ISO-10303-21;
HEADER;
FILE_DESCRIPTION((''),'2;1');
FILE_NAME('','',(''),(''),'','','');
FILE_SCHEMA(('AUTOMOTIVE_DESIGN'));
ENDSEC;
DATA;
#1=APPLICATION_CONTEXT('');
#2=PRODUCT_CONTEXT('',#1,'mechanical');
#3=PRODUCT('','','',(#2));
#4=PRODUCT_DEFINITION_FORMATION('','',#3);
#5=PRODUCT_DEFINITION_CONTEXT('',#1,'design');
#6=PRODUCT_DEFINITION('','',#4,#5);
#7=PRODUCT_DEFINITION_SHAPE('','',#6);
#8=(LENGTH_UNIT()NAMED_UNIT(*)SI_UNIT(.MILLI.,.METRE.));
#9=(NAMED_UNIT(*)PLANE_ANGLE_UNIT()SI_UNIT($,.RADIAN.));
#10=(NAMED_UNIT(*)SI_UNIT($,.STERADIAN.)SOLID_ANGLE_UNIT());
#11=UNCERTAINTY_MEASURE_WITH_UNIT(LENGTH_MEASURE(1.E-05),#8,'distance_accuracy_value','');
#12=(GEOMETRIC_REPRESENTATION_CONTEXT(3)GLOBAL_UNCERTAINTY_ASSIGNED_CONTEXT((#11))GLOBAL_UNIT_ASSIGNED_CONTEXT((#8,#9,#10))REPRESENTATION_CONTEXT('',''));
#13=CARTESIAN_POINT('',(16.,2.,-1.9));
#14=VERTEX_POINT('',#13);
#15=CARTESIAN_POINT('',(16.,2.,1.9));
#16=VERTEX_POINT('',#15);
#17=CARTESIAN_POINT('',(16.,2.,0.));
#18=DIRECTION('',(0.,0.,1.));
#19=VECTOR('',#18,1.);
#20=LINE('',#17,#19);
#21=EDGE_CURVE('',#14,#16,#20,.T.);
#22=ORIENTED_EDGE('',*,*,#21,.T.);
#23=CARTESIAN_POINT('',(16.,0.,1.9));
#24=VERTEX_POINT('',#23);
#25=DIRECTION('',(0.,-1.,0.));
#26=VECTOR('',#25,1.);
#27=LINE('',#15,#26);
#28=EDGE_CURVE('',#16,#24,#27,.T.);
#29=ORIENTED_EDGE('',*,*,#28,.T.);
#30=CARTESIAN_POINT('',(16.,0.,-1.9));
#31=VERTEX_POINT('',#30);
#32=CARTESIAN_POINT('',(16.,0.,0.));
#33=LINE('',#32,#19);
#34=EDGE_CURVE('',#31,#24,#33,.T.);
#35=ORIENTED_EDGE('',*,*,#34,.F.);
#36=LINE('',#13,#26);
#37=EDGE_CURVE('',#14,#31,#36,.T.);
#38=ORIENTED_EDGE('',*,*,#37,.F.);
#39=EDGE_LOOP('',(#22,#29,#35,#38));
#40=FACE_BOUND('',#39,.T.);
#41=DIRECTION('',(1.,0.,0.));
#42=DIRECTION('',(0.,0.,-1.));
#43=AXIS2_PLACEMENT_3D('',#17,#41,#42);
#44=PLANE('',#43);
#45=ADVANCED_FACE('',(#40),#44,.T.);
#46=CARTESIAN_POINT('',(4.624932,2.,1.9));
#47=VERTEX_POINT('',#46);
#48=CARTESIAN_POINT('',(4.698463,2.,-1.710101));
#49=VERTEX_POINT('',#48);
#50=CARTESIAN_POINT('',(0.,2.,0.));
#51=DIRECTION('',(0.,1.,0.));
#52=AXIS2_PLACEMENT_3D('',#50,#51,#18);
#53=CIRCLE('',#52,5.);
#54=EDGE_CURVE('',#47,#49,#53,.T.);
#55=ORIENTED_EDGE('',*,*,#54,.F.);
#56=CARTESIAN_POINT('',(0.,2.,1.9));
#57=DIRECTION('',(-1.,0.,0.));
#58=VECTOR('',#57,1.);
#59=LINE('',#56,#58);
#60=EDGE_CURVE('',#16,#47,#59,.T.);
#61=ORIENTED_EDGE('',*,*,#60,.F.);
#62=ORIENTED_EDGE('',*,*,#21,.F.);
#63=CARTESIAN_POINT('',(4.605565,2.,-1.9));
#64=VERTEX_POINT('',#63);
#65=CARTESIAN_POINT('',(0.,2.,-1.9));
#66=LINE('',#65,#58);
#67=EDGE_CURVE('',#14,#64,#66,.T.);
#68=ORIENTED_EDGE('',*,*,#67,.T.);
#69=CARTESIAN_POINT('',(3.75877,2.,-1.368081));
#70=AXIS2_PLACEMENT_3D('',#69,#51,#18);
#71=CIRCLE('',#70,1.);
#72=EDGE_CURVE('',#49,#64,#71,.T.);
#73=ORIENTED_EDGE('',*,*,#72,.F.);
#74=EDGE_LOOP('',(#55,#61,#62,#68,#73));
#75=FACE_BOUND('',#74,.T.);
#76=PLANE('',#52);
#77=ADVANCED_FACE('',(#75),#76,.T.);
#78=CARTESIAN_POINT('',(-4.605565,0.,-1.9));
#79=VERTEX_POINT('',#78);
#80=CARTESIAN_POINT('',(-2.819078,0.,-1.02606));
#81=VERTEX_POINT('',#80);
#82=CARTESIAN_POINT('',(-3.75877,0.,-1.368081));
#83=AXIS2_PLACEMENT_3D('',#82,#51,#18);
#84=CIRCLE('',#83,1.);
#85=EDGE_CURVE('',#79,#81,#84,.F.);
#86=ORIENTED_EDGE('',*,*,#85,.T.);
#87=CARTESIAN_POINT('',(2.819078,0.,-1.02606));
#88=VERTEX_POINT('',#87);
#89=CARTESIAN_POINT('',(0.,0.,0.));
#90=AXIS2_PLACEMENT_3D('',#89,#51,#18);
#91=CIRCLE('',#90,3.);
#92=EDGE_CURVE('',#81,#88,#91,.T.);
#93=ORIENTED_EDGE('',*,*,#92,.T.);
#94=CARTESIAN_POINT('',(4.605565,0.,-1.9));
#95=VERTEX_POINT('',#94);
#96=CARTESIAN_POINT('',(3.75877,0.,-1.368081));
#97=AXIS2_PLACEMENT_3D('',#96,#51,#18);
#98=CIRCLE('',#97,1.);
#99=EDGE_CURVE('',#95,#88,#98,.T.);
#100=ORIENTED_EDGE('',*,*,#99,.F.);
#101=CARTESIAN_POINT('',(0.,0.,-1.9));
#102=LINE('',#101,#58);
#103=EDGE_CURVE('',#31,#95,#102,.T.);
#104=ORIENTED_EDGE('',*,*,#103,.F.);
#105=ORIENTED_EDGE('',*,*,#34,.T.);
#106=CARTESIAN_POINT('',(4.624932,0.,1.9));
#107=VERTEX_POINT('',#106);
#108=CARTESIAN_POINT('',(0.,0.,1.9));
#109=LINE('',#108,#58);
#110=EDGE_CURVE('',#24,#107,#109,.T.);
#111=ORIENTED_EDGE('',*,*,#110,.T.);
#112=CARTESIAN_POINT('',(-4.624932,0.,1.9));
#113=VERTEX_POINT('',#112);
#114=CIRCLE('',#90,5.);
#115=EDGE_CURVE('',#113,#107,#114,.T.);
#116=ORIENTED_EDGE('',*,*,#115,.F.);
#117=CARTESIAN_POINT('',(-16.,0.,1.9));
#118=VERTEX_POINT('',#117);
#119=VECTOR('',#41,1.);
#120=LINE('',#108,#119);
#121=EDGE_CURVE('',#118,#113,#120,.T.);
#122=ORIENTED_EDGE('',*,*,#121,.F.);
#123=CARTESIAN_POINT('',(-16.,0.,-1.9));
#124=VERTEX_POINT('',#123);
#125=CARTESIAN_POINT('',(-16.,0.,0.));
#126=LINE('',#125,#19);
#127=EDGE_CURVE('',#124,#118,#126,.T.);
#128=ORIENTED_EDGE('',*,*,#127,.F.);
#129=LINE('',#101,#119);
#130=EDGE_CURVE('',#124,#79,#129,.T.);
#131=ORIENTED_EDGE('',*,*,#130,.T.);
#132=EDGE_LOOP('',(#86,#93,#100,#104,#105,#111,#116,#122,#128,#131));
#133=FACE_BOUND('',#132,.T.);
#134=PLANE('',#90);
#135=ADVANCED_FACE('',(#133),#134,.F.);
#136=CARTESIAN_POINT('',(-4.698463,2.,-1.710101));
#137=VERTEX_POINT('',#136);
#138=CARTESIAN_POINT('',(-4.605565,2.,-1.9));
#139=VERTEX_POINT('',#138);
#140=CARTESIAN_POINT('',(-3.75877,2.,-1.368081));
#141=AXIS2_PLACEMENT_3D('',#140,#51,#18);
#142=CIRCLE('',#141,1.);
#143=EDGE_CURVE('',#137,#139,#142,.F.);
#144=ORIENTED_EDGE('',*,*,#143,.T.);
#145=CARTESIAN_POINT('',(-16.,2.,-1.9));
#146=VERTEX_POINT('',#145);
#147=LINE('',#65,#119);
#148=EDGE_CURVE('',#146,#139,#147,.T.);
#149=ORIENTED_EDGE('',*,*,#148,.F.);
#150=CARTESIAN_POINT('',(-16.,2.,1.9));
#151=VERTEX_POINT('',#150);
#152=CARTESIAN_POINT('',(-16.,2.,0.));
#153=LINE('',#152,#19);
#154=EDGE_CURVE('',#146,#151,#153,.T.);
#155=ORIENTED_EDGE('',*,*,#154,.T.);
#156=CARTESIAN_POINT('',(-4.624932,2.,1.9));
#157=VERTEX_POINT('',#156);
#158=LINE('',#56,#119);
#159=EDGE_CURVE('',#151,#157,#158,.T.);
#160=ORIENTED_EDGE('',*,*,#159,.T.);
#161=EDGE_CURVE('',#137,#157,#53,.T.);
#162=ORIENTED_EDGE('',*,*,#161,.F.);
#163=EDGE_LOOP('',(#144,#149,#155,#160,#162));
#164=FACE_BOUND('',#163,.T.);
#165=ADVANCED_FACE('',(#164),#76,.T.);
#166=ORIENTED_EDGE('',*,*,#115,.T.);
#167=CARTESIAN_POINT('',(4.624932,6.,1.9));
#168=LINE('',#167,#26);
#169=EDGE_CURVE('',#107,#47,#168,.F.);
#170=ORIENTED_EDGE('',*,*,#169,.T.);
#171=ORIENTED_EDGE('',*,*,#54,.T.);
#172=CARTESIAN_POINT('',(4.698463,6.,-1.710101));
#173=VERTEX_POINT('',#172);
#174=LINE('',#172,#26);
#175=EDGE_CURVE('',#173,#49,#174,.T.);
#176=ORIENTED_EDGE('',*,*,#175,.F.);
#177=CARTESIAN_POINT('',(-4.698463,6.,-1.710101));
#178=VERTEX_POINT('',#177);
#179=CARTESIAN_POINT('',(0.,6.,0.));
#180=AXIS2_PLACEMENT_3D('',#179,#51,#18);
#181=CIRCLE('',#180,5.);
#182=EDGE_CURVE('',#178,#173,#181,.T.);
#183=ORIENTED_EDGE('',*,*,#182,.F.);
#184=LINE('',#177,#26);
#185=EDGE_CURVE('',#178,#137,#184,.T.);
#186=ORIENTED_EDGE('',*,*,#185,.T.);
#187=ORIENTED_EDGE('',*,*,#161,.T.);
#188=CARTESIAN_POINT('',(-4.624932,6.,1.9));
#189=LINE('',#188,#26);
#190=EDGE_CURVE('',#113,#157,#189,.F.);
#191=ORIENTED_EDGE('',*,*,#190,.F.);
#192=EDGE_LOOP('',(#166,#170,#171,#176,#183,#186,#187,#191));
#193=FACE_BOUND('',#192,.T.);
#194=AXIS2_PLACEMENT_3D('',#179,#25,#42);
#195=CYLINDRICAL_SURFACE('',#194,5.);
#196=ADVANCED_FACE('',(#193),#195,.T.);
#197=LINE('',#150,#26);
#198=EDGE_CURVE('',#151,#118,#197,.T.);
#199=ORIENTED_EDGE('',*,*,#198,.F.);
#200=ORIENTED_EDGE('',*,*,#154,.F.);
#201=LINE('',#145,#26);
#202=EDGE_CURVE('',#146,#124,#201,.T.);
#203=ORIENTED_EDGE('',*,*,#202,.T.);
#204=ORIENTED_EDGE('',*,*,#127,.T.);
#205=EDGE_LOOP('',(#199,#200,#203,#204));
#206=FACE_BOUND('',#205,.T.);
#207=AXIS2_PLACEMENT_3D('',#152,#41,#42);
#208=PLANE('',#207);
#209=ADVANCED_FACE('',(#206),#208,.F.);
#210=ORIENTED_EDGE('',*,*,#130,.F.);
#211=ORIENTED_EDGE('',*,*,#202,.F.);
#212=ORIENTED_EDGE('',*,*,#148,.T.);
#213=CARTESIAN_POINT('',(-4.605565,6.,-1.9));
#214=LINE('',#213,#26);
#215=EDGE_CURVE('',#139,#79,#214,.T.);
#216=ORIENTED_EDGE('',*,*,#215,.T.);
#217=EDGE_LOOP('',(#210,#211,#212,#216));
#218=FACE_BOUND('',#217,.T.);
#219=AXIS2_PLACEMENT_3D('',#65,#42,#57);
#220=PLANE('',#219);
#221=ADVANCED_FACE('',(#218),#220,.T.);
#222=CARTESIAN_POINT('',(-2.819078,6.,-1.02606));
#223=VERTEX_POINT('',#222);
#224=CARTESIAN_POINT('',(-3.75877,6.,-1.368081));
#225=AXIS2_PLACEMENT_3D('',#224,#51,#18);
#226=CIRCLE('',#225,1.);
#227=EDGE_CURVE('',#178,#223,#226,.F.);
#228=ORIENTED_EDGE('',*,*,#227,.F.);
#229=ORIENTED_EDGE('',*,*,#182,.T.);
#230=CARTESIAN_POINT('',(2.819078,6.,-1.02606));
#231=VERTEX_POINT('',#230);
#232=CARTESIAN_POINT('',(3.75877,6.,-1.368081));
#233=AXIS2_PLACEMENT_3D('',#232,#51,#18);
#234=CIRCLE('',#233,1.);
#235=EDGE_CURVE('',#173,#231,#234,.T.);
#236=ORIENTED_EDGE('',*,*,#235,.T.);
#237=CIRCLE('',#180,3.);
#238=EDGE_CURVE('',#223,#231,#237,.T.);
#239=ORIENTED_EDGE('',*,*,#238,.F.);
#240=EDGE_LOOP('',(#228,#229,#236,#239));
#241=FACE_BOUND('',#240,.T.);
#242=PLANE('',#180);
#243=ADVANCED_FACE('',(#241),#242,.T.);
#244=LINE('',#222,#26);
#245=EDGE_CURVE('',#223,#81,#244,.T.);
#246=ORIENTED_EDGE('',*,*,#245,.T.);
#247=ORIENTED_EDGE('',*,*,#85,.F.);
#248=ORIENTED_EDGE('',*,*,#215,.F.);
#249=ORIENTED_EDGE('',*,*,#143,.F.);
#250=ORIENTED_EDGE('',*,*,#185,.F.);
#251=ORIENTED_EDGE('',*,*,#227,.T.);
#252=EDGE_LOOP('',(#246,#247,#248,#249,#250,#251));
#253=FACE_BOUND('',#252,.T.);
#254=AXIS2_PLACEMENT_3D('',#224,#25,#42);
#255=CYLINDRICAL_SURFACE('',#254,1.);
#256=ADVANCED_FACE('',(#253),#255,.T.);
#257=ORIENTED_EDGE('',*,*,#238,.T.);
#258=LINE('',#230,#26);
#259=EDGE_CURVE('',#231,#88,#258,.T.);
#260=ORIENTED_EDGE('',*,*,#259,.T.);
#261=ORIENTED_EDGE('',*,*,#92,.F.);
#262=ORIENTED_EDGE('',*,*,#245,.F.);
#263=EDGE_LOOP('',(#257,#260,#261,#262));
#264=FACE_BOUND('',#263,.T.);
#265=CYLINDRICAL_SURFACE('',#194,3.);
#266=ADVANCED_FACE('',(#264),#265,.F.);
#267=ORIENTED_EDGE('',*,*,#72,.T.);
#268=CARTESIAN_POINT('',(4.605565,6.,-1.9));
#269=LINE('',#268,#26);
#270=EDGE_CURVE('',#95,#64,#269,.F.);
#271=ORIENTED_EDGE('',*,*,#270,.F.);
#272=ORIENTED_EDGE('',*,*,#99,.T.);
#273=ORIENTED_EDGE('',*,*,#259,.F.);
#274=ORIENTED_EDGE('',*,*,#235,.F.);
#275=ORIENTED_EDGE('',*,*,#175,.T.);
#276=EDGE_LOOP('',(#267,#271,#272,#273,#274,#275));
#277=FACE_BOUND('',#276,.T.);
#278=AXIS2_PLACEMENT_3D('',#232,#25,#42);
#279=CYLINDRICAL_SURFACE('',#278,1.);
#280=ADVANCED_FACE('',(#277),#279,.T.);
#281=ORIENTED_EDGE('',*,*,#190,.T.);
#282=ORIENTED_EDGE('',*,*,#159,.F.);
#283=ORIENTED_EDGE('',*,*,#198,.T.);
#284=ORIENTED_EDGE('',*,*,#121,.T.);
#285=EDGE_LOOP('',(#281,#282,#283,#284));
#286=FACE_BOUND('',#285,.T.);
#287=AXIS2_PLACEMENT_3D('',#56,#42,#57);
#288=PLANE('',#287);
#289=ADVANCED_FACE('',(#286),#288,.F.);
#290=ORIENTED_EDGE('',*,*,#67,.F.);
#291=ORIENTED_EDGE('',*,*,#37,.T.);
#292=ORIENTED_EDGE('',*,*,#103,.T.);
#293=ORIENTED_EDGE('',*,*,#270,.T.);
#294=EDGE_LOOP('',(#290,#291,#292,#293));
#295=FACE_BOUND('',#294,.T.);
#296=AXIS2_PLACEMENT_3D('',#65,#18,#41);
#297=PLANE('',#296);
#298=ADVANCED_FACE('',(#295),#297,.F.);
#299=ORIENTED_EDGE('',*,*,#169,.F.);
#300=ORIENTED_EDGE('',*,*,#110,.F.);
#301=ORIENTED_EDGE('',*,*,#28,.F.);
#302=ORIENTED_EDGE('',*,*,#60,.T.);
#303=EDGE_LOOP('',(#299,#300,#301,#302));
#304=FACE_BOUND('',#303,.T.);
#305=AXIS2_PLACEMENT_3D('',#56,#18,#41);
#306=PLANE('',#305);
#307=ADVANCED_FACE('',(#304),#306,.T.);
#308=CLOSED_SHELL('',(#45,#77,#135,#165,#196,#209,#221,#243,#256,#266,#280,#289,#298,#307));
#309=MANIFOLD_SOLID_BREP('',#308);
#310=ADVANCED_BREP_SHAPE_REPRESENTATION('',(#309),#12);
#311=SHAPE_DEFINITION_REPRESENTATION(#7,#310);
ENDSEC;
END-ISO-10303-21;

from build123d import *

# Parameters (mm, degrees)
BOSS_EXTRUDE1_DEPTH = 6
SKETCH2_W           = 11.5
SKETCH2_H           = 3.8
SKETCH2_H_2         = 1.9
BOSS_EXTRUDE2_DEPTH = 2


with BuildPart() as part:
    # Sketch1 → Boss-Extrude1 (new body)
    with BuildSketch(Plane(origin=(0, 0, 0), x_dir=(1, 0, 0), z_dir=(0, 1, 0))):
        with BuildLine():
            Line((5, 0), (3, 0))
            ThreePointArc((3, 0), (-0.520944533, -2.954423259), (-2.819077862, 1.02606043))
            ThreePointArc((-2.819077862, 1.02606043), (-3.41675034, 2.307773194), (-4.698463104, 1.710100717))
            ThreePointArc((-4.698463104, 1.710100717), (-0.868240888, -4.924038765), (5, 0))
        make_face()
        with BuildLine():
            ThreePointArc((2.819077862, 1.02606043), (2.954423259, 0.520944533), (3, 0))
            Line((3, 0), (5, 0))
            ThreePointArc((5, 0), (4.924038765, 0.868240888), (4.698463104, 1.710100717))
            Line((4.698463104, 1.710100717), (3.758770483, 1.368080573))
            Line((3.758770483, 1.368080573), (2.819077862, 1.02606043))
        make_face()
        with BuildLine():
            ThreePointArc((4.698463104, 1.710100717), (3.41675034, 2.307773194), (2.819077862, 1.02606043))
            Line((2.819077862, 1.02606043), (3.758770483, 1.368080573))
            Line((3.758770483, 1.368080573), (4.698463104, 1.710100717))
        make_face()
    extrude(amount=BOSS_EXTRUDE1_DEPTH)

    # Sketch2 → Boss-Extrude2 (add)
    with BuildSketch(Plane(origin=(0, 0, 0), x_dir=(1, 0, 0), z_dir=(0, 1, 0))):
        with Locations((-10.25, 0)):
            Rectangle(SKETCH2_W, SKETCH2_H)
        with Locations((10.25, -0.95)):
            Rectangle(SKETCH2_W, SKETCH2_H_2)
        with Locations((10.25, 0.95)):
            Rectangle(SKETCH2_W, SKETCH2_H_2)
    extrude(amount=BOSS_EXTRUDE2_DEPTH)


solid = part.part
